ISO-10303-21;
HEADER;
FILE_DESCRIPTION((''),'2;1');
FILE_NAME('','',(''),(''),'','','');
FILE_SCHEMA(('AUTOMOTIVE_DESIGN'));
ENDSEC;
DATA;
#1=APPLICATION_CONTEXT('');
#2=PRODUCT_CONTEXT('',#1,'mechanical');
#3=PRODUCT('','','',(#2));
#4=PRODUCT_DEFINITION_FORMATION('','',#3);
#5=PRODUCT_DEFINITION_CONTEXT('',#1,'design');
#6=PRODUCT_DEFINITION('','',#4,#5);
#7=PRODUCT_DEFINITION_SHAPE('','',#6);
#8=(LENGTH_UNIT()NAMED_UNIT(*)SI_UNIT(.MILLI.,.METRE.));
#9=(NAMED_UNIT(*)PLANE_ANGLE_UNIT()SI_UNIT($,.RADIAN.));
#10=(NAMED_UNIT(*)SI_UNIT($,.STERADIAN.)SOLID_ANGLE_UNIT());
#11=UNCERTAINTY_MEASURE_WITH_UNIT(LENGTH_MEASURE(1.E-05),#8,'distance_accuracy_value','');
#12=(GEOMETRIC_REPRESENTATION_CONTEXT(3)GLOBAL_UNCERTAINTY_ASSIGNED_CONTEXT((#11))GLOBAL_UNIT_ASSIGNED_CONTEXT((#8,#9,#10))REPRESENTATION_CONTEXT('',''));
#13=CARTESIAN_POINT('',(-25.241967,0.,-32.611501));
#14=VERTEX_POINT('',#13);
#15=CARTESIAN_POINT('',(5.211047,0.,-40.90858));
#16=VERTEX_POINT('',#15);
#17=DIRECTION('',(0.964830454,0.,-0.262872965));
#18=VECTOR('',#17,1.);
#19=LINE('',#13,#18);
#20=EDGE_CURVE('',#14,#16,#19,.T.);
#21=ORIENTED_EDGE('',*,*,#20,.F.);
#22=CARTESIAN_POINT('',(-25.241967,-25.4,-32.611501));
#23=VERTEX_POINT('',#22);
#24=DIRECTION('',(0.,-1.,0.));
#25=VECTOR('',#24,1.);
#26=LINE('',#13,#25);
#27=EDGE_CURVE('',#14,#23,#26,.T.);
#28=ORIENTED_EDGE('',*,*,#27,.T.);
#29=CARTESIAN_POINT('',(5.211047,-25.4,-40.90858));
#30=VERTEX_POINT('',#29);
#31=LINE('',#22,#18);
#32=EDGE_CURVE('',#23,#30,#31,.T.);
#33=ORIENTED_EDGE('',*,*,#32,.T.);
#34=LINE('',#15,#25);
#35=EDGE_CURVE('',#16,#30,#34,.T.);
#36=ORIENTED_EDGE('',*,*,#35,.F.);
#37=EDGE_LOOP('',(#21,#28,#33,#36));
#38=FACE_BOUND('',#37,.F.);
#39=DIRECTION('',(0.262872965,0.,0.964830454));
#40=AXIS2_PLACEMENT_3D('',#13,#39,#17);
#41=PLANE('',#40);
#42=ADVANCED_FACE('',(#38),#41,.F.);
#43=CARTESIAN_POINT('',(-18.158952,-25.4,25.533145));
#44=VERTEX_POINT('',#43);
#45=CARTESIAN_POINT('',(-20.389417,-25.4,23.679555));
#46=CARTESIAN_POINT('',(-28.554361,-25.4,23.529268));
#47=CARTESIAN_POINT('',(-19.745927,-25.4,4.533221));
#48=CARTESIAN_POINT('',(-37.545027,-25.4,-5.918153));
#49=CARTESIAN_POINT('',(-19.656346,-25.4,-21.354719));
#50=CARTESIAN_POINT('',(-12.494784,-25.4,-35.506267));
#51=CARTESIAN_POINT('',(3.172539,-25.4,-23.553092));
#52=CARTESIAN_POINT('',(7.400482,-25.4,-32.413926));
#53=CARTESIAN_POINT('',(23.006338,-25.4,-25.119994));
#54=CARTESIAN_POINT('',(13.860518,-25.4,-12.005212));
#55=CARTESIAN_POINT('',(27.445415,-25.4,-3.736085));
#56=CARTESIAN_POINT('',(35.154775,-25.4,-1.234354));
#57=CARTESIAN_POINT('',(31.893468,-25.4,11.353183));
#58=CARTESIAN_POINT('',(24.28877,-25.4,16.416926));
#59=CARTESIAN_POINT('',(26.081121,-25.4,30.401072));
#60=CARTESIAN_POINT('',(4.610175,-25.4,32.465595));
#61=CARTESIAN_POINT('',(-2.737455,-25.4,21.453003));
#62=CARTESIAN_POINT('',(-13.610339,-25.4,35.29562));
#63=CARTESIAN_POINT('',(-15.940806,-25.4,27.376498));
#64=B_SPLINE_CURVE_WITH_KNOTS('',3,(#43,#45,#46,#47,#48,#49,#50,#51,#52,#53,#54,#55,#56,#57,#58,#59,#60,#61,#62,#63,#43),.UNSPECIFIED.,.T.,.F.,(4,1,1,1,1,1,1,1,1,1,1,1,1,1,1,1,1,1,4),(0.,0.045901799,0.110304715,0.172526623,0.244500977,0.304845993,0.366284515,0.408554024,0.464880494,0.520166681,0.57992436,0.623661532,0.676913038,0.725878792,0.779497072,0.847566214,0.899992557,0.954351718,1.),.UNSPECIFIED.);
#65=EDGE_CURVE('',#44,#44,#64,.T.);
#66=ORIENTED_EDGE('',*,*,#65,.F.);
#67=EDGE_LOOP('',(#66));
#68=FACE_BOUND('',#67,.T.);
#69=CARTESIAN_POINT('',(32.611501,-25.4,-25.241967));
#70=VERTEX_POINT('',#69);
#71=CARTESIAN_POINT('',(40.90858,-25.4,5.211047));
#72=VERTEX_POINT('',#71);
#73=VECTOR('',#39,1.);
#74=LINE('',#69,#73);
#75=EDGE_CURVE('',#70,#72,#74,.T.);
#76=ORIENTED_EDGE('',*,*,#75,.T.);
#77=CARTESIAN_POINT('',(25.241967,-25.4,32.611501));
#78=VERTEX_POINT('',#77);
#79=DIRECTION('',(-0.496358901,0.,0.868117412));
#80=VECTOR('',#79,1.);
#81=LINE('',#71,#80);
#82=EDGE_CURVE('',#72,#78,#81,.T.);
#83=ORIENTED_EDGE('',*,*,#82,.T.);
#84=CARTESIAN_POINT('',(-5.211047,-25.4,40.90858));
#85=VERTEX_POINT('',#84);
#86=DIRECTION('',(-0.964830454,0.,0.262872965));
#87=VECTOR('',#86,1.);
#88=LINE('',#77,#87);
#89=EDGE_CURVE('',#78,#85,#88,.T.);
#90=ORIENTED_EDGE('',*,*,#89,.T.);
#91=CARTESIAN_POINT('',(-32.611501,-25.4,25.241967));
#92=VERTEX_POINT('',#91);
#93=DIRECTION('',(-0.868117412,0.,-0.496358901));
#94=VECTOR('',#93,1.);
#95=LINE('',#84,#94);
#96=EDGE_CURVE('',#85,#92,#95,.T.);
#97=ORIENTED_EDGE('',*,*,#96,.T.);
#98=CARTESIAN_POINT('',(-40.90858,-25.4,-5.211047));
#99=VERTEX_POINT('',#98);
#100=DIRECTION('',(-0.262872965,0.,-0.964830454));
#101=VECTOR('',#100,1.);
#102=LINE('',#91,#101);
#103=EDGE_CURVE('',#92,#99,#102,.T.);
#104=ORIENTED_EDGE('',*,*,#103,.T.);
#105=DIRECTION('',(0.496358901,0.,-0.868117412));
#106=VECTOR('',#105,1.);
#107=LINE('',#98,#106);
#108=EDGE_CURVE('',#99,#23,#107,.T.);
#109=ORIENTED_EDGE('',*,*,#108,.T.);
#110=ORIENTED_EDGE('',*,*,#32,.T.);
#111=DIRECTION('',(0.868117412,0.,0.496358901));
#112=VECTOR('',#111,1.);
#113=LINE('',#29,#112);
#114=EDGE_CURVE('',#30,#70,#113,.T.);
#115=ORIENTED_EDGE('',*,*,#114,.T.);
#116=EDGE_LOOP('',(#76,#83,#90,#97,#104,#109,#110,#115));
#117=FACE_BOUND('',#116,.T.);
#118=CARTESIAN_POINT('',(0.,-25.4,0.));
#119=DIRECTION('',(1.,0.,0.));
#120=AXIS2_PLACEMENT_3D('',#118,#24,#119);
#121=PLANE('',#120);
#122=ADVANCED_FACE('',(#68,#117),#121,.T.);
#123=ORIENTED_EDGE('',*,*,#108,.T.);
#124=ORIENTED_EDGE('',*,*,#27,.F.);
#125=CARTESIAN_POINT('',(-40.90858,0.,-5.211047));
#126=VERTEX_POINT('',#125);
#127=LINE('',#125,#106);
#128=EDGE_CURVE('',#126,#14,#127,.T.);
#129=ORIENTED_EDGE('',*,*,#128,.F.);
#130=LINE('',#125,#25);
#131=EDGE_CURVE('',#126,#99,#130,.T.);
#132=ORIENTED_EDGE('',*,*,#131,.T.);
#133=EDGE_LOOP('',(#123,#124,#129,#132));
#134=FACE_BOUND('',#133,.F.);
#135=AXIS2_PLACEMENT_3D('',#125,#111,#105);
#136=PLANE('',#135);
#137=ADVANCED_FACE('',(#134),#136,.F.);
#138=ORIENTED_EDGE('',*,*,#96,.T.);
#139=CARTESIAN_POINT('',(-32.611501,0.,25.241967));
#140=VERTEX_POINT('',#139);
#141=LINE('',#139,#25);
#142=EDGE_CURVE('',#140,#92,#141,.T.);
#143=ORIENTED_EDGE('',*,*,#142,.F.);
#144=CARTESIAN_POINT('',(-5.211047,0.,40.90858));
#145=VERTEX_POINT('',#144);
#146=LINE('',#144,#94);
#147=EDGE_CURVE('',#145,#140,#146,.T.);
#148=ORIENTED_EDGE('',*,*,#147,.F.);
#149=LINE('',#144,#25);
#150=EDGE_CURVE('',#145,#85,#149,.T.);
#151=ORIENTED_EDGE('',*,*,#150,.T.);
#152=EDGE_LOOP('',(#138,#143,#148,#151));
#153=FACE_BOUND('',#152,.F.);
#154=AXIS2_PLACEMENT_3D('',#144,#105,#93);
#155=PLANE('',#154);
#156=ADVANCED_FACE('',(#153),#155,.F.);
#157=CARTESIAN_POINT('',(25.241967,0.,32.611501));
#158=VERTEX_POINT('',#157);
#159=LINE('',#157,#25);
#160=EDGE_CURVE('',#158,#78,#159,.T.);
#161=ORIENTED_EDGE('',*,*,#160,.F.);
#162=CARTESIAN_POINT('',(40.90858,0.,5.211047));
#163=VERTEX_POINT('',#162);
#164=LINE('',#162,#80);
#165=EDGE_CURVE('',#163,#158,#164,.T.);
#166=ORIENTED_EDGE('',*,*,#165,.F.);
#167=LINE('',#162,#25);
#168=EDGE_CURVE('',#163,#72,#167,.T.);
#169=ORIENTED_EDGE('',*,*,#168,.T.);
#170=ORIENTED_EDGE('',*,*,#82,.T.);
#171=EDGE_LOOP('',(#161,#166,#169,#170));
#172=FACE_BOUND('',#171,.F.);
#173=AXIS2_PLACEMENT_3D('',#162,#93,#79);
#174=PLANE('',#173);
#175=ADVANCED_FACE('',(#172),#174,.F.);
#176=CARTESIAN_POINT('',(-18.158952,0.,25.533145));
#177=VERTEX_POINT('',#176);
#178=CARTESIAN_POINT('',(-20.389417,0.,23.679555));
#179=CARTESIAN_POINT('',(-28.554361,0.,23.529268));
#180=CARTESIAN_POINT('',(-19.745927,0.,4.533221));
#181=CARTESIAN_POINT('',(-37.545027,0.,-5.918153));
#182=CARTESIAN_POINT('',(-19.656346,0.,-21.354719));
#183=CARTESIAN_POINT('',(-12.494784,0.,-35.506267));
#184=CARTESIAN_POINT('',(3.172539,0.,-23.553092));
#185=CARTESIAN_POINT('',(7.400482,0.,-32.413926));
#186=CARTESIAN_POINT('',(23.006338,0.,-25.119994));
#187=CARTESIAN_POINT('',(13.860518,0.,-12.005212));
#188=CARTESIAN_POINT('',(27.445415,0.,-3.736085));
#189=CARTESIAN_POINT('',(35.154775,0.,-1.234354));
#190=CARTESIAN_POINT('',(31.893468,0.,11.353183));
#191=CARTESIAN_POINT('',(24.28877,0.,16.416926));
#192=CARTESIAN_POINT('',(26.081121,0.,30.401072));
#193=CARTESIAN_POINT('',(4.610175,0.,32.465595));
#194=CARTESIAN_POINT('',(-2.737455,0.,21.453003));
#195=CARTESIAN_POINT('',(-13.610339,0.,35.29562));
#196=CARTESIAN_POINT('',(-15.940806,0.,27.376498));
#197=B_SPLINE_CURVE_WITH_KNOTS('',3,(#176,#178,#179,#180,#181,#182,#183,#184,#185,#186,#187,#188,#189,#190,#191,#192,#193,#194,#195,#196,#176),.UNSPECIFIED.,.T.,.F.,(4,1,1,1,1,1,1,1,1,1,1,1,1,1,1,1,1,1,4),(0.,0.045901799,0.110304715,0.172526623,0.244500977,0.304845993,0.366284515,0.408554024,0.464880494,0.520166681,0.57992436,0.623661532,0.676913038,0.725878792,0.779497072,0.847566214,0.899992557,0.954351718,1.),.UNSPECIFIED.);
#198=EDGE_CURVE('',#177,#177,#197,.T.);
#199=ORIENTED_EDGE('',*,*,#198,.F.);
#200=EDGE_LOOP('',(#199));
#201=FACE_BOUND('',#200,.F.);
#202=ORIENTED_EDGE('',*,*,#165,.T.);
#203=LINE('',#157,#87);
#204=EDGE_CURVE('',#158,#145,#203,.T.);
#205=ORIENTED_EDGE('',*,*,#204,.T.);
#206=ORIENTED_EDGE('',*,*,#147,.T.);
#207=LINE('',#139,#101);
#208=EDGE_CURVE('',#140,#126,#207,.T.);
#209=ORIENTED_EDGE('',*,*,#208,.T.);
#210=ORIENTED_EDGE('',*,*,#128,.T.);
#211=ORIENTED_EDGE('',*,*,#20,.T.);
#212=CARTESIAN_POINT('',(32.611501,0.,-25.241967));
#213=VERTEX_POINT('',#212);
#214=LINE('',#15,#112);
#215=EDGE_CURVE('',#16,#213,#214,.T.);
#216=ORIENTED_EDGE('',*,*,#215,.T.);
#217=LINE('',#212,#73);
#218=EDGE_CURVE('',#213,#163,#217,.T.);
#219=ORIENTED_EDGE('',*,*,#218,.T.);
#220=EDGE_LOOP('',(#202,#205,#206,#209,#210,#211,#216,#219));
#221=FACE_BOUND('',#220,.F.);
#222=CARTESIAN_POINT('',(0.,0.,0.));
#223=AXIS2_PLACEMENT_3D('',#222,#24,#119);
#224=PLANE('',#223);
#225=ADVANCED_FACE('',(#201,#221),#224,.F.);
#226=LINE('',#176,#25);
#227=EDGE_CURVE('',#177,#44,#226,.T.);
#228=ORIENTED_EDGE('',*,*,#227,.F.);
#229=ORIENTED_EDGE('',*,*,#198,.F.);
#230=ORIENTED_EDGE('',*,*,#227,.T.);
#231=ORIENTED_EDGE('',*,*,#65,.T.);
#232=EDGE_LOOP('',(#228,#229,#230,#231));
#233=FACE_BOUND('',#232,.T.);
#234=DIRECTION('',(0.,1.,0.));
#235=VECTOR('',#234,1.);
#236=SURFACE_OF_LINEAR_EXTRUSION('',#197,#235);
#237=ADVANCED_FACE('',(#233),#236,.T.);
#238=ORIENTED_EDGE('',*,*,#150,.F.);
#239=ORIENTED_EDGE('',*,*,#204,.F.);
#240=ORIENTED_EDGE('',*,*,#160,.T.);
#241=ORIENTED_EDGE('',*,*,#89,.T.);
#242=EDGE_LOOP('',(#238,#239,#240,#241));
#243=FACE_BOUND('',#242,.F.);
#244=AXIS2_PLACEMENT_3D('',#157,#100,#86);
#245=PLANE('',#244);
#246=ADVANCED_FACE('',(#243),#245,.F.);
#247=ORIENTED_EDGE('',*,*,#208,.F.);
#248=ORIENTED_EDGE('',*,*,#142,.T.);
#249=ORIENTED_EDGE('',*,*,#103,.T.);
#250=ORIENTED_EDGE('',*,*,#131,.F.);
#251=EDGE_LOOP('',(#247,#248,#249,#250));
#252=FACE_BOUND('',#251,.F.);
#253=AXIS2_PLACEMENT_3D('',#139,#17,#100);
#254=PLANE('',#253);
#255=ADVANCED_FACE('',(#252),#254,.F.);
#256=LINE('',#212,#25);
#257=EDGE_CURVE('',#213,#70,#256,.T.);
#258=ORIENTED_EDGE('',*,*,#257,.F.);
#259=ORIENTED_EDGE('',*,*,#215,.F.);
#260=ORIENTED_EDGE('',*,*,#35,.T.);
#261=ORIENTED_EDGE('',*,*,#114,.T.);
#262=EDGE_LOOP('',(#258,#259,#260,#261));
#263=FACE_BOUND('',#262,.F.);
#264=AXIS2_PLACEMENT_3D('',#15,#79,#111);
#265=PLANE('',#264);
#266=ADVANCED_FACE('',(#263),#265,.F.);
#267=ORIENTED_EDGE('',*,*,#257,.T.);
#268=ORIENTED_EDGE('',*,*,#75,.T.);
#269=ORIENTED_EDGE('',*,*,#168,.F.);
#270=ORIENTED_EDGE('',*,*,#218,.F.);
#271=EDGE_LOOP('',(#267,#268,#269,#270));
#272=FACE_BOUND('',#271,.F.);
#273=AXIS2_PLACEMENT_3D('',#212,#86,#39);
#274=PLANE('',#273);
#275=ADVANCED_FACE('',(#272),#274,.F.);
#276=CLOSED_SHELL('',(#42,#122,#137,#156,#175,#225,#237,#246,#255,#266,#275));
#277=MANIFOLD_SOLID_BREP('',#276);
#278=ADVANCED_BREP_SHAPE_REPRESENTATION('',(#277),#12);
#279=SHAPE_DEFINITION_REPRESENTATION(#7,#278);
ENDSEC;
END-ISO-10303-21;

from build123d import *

# Parameters (mm, degrees)
F1_DEPTH = 25.4


with BuildPart() as f1:
    # F0 (on Front) → F1 (new body)
    with BuildSketch(Plane.XZ):
        Polygon((-5.2110472887, 40.9085796332), (-32.6115009422, 25.2419671924), (-40.9085796332, -5.2110472887), (-25.2419671924, -32.6115009422), (5.2110472887, -40.9085796332), (32.6115009422, -25.2419671924), (40.9085796332, 5.2110472887), (25.2419671924, 32.6115009422), align=None)
        with BuildLine():
            add(Edge.make_bspline(
                [(-18.1589517742, 25.5331452936), (-20.3894166011, 23.67955497), (-28.5543612785, 23.5292681975), (-19.7459274709, 4.5332210335), (-37.5450271421, -5.9181527641), (-19.6563459634, -21.3547193062), (-12.4947838997, -35.506267074), (3.1725393822, -23.5530922884), (7.4004818567, -32.4139255821), (23.0063380838, -25.1199944684), (13.8605177512, -12.0052115267), (27.4454145149, -3.7360849134), (35.1547754072, -1.2343537405), (31.8934676301, 11.3531829045), (24.2887697713, 16.416926363), (26.081121209, 30.4010722937), (4.6101750424, 32.4655951509), (-2.7374547521, 21.4530029986), (-13.6103394591, 35.2956200151), (-15.9408058533, 27.3764981974), (-18.1589517742, 25.5331452936)],
                knots=[0, 0, 0, 0, 0.045901799, 0.1103047147, 0.1725266229, 0.2445009767, 0.3048459934, 0.3662845152, 0.4085540243, 0.464880494, 0.5201666812, 0.5799243599, 0.6236615315, 0.6769130385, 0.7258787921, 0.7794970718, 0.8475662136, 0.8999925572, 0.9543517177, 1, 1, 1, 1], degree=3))
        make_face(mode=Mode.SUBTRACT)
    extrude(amount=F1_DEPTH)


solid = f1.part
